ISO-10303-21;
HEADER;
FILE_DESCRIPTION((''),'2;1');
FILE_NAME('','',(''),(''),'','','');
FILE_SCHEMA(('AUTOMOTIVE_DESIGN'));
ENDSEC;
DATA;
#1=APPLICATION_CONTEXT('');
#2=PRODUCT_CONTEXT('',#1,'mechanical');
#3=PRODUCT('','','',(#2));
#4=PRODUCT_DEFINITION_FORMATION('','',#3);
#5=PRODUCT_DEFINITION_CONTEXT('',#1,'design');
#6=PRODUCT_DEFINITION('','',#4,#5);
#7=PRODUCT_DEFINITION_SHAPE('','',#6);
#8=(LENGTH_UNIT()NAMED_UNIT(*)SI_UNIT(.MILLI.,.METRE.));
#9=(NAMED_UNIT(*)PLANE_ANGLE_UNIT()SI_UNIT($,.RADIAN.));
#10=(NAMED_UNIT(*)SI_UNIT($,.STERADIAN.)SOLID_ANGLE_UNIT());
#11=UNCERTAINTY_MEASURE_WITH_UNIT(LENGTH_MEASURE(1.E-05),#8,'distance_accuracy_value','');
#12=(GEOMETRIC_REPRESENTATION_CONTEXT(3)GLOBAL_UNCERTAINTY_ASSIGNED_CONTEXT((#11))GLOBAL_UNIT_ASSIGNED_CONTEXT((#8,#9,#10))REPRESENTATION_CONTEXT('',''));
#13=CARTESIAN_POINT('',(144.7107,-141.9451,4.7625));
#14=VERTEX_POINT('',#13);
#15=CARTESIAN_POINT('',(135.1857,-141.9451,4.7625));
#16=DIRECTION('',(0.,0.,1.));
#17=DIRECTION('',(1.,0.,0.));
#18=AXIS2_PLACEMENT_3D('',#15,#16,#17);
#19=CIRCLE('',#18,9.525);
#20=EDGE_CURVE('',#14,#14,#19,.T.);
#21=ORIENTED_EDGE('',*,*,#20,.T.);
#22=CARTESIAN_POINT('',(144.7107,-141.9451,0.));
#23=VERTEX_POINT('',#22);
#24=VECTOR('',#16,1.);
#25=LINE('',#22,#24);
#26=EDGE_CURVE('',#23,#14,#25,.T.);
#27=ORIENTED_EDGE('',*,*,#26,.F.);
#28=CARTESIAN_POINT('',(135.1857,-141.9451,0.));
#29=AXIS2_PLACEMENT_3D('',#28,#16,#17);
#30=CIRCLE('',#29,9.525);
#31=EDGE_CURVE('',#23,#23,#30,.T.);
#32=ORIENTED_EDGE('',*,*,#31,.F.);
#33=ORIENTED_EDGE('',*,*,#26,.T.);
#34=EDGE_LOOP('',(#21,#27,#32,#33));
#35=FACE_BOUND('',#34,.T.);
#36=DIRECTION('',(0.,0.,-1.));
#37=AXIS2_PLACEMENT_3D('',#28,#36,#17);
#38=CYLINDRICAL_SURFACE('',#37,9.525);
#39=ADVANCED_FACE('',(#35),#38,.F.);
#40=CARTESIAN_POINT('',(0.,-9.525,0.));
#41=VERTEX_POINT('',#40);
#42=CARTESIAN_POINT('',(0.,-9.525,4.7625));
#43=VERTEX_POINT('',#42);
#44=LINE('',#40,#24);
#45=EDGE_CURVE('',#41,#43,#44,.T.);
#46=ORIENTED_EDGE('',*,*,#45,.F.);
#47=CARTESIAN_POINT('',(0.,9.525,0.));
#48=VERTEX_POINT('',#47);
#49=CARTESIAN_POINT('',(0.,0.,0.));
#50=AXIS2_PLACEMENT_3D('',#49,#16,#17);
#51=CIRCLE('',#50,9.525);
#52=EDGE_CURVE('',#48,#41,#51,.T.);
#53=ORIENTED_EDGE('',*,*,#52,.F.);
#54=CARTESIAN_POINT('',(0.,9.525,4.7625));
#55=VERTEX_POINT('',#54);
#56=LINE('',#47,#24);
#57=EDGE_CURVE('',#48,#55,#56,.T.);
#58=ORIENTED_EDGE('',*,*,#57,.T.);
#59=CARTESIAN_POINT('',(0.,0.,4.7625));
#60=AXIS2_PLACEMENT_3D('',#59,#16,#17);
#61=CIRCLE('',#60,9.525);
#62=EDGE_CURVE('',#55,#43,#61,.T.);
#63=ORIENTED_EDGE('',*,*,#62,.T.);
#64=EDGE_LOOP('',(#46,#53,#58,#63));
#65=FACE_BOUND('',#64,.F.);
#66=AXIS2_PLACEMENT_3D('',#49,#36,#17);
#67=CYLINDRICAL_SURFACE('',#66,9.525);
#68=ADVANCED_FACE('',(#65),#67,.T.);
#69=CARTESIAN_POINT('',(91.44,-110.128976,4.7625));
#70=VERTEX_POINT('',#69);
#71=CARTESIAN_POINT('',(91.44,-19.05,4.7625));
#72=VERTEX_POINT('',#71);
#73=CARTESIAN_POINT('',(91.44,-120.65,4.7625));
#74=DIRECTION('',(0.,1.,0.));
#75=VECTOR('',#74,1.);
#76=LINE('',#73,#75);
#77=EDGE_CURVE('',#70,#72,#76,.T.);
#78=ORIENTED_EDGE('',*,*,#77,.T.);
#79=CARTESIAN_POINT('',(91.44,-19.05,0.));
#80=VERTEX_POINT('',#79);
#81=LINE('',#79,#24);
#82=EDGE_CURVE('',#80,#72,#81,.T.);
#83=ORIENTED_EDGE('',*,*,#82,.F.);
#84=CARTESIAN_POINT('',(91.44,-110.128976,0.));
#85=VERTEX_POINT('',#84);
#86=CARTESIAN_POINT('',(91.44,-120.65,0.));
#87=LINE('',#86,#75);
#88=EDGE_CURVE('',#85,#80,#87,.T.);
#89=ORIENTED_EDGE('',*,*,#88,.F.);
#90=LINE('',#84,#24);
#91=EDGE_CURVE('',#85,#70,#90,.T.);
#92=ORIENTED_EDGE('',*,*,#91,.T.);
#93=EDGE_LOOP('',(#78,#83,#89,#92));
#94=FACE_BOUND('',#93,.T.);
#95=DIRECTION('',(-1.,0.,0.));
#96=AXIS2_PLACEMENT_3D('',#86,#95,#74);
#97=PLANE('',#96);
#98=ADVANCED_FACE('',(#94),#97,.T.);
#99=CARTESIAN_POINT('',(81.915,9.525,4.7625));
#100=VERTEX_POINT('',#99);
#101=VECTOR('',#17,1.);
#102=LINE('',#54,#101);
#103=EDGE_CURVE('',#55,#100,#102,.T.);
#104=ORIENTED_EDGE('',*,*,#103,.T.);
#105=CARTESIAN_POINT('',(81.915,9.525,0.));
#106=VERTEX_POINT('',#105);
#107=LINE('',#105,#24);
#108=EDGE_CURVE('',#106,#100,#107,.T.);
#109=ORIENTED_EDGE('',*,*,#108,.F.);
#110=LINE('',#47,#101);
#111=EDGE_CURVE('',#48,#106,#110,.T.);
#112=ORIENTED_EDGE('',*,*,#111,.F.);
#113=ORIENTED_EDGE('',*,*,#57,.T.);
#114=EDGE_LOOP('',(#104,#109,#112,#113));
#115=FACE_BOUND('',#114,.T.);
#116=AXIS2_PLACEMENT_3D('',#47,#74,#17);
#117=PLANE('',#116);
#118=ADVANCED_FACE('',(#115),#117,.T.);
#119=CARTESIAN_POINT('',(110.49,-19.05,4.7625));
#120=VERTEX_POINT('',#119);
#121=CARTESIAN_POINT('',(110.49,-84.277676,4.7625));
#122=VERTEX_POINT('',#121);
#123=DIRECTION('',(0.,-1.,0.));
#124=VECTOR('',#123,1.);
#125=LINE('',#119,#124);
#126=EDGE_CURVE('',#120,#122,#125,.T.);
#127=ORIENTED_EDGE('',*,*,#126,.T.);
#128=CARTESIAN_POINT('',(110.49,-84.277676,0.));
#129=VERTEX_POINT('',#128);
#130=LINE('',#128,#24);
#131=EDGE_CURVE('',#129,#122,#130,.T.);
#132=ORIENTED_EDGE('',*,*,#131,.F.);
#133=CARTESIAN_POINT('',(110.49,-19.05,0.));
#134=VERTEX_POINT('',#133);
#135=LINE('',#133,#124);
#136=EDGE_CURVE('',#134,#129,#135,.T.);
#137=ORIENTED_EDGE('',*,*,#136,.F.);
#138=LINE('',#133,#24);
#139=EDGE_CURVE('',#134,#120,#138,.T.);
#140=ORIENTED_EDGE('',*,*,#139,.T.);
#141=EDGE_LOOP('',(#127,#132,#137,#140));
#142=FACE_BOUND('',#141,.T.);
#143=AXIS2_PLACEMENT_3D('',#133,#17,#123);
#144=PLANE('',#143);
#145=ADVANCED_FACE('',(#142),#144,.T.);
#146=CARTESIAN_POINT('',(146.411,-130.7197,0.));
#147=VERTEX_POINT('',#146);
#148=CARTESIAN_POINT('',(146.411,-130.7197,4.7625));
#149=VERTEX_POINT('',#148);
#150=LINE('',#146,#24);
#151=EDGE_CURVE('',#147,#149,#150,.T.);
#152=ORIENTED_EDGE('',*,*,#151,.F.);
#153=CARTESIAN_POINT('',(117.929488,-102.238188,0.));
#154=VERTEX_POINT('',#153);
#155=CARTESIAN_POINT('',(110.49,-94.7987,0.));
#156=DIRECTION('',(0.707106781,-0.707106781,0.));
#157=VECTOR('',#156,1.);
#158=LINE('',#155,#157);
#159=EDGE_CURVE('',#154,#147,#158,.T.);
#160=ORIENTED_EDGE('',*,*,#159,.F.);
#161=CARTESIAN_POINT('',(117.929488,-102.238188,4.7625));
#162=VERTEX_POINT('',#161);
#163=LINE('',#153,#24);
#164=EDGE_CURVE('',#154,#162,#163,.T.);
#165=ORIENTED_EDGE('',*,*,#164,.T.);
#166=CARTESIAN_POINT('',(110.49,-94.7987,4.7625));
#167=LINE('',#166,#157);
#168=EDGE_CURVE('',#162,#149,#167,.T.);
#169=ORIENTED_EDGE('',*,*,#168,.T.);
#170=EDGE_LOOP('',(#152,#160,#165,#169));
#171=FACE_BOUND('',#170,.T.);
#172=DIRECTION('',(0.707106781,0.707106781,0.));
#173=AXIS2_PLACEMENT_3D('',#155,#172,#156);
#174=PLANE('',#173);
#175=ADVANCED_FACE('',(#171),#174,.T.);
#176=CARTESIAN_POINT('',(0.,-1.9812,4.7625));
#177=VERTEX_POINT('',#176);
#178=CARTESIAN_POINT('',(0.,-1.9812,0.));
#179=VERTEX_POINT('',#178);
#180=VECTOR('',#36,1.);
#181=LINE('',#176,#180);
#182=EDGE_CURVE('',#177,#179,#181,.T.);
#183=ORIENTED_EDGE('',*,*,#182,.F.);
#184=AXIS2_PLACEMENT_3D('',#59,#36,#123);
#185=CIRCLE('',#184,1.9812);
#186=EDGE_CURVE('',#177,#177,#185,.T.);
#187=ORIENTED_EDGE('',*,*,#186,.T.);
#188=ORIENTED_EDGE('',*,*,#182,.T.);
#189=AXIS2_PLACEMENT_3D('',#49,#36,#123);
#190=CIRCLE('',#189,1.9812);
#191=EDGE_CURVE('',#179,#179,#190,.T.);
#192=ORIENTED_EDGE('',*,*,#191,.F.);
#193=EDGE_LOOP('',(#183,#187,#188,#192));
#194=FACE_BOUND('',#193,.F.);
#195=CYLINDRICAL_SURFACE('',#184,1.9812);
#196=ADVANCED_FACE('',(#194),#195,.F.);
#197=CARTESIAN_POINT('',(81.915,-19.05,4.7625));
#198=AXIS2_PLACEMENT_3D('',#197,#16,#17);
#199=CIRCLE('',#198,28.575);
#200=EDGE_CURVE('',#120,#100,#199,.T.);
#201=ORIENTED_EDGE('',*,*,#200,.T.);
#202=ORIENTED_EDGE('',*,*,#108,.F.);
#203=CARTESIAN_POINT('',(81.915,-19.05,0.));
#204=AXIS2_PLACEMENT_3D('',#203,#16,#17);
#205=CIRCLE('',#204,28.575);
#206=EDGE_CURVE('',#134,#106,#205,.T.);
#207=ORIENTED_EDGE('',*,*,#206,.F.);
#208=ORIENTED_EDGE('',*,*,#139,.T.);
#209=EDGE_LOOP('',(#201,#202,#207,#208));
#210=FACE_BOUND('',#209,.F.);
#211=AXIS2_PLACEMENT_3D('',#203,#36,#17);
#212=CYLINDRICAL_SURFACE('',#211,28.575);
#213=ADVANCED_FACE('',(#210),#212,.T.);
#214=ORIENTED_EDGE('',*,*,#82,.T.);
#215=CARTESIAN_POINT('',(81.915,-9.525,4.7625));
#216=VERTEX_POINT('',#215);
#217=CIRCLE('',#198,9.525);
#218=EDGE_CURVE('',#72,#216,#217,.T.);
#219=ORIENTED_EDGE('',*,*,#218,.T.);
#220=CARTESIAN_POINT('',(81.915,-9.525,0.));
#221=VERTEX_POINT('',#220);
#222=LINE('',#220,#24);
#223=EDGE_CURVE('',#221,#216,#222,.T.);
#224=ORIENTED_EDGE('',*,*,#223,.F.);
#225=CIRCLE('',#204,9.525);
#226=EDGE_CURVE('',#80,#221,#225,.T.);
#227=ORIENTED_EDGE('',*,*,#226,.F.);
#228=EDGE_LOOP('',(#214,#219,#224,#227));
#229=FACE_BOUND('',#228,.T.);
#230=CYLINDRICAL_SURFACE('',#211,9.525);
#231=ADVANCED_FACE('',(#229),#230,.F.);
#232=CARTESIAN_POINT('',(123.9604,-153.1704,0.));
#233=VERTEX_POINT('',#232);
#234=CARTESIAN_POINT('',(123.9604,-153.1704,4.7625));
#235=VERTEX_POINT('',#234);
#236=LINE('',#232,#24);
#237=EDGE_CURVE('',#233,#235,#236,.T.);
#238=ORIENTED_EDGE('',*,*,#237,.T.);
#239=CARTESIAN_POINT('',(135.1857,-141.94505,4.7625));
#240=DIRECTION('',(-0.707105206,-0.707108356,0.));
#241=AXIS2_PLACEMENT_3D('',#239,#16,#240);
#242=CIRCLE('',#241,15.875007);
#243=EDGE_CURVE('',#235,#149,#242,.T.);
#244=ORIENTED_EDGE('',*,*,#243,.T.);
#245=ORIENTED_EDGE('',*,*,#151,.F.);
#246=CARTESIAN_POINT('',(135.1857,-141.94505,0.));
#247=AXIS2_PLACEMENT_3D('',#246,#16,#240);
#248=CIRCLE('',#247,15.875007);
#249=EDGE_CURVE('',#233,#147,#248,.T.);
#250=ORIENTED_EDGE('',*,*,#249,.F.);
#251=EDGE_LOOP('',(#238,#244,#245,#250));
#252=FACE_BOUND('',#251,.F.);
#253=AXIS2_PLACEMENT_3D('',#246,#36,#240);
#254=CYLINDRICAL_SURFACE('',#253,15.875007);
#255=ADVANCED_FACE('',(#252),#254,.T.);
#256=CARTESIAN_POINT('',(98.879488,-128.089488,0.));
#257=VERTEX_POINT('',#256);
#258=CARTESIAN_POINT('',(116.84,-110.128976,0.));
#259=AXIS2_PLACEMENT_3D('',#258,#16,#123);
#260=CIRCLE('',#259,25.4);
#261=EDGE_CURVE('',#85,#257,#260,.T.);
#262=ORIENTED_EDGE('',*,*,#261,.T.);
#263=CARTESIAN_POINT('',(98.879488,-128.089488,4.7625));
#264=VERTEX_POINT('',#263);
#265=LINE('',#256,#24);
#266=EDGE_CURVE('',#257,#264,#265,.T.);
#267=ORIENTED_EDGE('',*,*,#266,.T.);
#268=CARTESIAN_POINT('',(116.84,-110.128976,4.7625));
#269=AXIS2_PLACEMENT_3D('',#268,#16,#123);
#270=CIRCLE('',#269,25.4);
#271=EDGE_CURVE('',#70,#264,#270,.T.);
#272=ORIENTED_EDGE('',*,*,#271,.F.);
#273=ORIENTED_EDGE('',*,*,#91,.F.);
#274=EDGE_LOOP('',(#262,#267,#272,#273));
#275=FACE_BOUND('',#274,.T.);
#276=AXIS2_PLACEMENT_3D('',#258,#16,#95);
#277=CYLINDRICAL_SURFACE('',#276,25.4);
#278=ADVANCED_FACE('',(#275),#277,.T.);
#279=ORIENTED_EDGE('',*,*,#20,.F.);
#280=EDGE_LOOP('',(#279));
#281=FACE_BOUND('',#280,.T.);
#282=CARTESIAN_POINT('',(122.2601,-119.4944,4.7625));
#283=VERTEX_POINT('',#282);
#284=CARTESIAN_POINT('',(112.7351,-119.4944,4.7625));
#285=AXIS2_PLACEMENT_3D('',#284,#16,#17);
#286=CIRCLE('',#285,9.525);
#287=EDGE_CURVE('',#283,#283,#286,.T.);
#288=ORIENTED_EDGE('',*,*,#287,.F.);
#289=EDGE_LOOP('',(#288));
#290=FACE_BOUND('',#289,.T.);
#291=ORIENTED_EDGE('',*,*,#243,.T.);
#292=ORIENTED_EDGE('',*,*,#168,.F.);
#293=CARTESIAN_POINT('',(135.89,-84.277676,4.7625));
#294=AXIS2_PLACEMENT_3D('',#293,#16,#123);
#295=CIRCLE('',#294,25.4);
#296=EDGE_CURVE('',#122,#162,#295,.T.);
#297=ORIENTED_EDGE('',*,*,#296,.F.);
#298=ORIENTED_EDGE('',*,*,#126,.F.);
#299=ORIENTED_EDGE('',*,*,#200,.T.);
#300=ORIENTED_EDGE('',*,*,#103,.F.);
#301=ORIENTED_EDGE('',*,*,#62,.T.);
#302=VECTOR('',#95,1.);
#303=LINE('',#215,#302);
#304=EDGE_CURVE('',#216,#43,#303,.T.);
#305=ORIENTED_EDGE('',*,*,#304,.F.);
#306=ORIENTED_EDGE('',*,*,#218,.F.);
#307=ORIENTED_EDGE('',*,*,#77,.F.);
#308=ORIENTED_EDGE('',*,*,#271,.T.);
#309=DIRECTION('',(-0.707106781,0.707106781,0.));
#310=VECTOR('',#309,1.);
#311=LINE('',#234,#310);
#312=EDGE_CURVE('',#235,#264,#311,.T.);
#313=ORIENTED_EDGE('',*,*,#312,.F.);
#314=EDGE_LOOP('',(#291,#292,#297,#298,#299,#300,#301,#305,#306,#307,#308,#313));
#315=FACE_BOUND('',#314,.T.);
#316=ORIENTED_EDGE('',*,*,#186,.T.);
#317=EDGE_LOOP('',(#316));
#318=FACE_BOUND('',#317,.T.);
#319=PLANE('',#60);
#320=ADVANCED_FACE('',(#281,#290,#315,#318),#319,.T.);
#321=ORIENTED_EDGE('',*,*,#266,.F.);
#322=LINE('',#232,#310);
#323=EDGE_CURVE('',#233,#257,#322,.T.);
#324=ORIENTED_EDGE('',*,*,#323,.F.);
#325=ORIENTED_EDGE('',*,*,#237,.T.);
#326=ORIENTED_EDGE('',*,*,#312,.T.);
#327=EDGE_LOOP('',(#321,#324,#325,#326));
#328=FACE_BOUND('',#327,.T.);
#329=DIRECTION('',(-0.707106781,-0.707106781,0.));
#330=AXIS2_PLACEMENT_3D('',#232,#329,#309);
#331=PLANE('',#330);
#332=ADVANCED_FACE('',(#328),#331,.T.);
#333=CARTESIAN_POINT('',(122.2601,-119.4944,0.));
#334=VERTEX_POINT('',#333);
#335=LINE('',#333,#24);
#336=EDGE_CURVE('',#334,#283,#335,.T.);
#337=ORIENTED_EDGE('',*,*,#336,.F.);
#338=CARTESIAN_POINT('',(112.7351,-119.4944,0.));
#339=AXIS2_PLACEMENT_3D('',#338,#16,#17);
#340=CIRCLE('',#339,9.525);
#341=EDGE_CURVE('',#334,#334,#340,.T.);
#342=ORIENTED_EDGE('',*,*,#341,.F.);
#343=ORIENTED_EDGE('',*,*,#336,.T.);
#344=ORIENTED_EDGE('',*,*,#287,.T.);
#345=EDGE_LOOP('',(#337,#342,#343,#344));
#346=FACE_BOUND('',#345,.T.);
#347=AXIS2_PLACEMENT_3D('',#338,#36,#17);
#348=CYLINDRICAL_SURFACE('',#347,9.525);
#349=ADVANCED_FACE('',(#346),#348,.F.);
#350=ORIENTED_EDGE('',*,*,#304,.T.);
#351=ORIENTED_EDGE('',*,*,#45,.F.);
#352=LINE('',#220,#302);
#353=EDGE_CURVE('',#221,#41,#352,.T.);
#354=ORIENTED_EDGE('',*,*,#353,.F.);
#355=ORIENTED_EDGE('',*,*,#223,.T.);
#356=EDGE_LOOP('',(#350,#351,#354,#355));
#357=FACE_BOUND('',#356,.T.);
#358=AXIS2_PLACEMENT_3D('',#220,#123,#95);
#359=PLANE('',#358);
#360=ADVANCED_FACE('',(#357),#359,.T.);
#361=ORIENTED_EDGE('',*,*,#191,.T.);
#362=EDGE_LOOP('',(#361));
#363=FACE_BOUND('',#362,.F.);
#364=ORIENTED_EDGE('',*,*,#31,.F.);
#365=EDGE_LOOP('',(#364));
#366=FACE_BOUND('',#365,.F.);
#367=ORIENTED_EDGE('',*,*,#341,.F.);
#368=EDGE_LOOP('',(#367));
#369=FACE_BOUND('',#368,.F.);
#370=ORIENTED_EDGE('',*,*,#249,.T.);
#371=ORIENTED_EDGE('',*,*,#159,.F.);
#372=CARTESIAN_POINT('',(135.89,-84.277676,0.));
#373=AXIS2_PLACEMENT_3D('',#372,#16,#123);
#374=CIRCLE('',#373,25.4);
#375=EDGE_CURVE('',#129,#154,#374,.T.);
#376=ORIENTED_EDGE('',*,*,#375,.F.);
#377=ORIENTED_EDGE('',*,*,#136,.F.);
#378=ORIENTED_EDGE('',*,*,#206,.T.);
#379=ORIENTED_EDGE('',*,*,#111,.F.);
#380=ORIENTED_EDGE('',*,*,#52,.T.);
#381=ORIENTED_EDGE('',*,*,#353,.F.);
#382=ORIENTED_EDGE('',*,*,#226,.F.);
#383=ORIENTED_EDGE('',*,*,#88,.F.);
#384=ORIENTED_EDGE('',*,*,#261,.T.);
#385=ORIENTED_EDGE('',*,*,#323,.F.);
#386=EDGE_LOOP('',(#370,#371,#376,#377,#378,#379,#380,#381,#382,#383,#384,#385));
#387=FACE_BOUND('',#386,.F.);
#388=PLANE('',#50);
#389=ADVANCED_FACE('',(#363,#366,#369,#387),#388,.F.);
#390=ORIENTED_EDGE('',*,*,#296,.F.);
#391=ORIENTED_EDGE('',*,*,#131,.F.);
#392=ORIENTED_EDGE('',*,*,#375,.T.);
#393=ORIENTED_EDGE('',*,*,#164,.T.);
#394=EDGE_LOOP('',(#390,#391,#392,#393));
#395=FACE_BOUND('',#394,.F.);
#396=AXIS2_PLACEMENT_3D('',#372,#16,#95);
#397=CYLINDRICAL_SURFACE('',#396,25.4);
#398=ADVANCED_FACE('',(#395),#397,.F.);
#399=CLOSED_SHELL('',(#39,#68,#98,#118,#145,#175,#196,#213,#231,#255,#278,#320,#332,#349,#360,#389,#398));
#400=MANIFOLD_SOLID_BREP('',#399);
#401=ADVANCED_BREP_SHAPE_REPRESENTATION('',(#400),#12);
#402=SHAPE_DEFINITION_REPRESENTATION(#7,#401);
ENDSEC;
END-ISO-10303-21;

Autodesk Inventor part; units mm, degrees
ref_plane "YZ Plane" through (0, 0, 0) normal (1, 0, 0) x (0, 1, 0)
ref_plane "XZ Plane" through (0, 0, 0) normal (0, 1, 0) x (-1, 0, 0)
ref_plane "XY Plane" through (0, 0, 0) normal (0, 0, 1) x (1, 0, 0)
sketch "Sketch1" plane through (0, 0, 0) normal (0, 0, 1) x (1, 0, 0)
  circle A0 centre (0, 0) radius 9.525
  line L0 (0, 9.525) -> (81.915, 9.525)
  arc A1 (110.49, -19.05) -> (81.915, 9.525) centre (81.915, -19.05) ccw
  line L1 (110.49, -19.05) -> (110.49, -94.7987)
  line L2 (110.49, -94.7987) -> (146.411, -130.7197)
  arc A2 (123.9604, -153.1704) -> (146.411, -130.7197) centre (135.1857, -141.9451) ccw
  line L3 (123.9604, -153.1704) -> (91.44, -120.65)
  line L4 (91.44, -120.65) -> (91.44, -19.05)
  arc A3 (91.44, -19.05) -> (81.915, -9.525) centre (81.915, -19.05) ccw
  line L5 (81.915, -9.525) -> (0, -9.525)
  circle A4 centre (135.1857, -141.9451) radius 9.525
  circle A5 centre (112.7351, -119.4944) radius 9.525
  line L6 (135.1857, -141.9451) -> (112.7351, -119.4944) construction
  dimension "d0" = 19.05
  dimension "d1" = 9.525
  dimension "d4" = 91.44
  dimension "d5" = 101.6
  dimension "d6" = 31.75
  dimension "d7" = 50.8
  dimension "d8" = 19.05
  dimension "d9" = 19.05
  dimension "d10" = 31.75
  dimension "d11" = 135
extrude "Extrusion1" add sketch "Sketch1" along normal blind 4.7625
sketch "Sketch2" plane through (0, 0, 4.7625) normal (0, 0, 1) x (1, 0, 0)
  arc A0 (0, 9.525) -> (0, -9.525) centre (0, 0) ccw construction
hole "Hole1" at (0, 0, 4.7625) direction (0, 0, -1) diameter 3.9624 end through all thread size "10-32 UNF" class "2B" standard "ANSI Unified Screw Threads"
fillet "Fillet1" radius 25.4 2 edges at (110.49, -94.7987, 2.3813) (91.44, -120.65, 2.3813)
equation "\"BendRadius\" = Thickness"
equation "\"BendReliefWidth\" = Thickness"
equation "\"BendReliefDepth\" = 0.5 * Thickness"
equation "\"CornerReliefSize\" = 4 * Thickness"
equation "\"MinimumRemnant\" = 2 * Thickness"
equation "\"TransitionRadius\" = BendRadius"
equation "\"JacobiRadiusSize\" = BendRadius"
equation "\"GapSize\" = Thickness"
equation "\"Thickness\" = 3.048"
properties part number "ARM,KICKER"
